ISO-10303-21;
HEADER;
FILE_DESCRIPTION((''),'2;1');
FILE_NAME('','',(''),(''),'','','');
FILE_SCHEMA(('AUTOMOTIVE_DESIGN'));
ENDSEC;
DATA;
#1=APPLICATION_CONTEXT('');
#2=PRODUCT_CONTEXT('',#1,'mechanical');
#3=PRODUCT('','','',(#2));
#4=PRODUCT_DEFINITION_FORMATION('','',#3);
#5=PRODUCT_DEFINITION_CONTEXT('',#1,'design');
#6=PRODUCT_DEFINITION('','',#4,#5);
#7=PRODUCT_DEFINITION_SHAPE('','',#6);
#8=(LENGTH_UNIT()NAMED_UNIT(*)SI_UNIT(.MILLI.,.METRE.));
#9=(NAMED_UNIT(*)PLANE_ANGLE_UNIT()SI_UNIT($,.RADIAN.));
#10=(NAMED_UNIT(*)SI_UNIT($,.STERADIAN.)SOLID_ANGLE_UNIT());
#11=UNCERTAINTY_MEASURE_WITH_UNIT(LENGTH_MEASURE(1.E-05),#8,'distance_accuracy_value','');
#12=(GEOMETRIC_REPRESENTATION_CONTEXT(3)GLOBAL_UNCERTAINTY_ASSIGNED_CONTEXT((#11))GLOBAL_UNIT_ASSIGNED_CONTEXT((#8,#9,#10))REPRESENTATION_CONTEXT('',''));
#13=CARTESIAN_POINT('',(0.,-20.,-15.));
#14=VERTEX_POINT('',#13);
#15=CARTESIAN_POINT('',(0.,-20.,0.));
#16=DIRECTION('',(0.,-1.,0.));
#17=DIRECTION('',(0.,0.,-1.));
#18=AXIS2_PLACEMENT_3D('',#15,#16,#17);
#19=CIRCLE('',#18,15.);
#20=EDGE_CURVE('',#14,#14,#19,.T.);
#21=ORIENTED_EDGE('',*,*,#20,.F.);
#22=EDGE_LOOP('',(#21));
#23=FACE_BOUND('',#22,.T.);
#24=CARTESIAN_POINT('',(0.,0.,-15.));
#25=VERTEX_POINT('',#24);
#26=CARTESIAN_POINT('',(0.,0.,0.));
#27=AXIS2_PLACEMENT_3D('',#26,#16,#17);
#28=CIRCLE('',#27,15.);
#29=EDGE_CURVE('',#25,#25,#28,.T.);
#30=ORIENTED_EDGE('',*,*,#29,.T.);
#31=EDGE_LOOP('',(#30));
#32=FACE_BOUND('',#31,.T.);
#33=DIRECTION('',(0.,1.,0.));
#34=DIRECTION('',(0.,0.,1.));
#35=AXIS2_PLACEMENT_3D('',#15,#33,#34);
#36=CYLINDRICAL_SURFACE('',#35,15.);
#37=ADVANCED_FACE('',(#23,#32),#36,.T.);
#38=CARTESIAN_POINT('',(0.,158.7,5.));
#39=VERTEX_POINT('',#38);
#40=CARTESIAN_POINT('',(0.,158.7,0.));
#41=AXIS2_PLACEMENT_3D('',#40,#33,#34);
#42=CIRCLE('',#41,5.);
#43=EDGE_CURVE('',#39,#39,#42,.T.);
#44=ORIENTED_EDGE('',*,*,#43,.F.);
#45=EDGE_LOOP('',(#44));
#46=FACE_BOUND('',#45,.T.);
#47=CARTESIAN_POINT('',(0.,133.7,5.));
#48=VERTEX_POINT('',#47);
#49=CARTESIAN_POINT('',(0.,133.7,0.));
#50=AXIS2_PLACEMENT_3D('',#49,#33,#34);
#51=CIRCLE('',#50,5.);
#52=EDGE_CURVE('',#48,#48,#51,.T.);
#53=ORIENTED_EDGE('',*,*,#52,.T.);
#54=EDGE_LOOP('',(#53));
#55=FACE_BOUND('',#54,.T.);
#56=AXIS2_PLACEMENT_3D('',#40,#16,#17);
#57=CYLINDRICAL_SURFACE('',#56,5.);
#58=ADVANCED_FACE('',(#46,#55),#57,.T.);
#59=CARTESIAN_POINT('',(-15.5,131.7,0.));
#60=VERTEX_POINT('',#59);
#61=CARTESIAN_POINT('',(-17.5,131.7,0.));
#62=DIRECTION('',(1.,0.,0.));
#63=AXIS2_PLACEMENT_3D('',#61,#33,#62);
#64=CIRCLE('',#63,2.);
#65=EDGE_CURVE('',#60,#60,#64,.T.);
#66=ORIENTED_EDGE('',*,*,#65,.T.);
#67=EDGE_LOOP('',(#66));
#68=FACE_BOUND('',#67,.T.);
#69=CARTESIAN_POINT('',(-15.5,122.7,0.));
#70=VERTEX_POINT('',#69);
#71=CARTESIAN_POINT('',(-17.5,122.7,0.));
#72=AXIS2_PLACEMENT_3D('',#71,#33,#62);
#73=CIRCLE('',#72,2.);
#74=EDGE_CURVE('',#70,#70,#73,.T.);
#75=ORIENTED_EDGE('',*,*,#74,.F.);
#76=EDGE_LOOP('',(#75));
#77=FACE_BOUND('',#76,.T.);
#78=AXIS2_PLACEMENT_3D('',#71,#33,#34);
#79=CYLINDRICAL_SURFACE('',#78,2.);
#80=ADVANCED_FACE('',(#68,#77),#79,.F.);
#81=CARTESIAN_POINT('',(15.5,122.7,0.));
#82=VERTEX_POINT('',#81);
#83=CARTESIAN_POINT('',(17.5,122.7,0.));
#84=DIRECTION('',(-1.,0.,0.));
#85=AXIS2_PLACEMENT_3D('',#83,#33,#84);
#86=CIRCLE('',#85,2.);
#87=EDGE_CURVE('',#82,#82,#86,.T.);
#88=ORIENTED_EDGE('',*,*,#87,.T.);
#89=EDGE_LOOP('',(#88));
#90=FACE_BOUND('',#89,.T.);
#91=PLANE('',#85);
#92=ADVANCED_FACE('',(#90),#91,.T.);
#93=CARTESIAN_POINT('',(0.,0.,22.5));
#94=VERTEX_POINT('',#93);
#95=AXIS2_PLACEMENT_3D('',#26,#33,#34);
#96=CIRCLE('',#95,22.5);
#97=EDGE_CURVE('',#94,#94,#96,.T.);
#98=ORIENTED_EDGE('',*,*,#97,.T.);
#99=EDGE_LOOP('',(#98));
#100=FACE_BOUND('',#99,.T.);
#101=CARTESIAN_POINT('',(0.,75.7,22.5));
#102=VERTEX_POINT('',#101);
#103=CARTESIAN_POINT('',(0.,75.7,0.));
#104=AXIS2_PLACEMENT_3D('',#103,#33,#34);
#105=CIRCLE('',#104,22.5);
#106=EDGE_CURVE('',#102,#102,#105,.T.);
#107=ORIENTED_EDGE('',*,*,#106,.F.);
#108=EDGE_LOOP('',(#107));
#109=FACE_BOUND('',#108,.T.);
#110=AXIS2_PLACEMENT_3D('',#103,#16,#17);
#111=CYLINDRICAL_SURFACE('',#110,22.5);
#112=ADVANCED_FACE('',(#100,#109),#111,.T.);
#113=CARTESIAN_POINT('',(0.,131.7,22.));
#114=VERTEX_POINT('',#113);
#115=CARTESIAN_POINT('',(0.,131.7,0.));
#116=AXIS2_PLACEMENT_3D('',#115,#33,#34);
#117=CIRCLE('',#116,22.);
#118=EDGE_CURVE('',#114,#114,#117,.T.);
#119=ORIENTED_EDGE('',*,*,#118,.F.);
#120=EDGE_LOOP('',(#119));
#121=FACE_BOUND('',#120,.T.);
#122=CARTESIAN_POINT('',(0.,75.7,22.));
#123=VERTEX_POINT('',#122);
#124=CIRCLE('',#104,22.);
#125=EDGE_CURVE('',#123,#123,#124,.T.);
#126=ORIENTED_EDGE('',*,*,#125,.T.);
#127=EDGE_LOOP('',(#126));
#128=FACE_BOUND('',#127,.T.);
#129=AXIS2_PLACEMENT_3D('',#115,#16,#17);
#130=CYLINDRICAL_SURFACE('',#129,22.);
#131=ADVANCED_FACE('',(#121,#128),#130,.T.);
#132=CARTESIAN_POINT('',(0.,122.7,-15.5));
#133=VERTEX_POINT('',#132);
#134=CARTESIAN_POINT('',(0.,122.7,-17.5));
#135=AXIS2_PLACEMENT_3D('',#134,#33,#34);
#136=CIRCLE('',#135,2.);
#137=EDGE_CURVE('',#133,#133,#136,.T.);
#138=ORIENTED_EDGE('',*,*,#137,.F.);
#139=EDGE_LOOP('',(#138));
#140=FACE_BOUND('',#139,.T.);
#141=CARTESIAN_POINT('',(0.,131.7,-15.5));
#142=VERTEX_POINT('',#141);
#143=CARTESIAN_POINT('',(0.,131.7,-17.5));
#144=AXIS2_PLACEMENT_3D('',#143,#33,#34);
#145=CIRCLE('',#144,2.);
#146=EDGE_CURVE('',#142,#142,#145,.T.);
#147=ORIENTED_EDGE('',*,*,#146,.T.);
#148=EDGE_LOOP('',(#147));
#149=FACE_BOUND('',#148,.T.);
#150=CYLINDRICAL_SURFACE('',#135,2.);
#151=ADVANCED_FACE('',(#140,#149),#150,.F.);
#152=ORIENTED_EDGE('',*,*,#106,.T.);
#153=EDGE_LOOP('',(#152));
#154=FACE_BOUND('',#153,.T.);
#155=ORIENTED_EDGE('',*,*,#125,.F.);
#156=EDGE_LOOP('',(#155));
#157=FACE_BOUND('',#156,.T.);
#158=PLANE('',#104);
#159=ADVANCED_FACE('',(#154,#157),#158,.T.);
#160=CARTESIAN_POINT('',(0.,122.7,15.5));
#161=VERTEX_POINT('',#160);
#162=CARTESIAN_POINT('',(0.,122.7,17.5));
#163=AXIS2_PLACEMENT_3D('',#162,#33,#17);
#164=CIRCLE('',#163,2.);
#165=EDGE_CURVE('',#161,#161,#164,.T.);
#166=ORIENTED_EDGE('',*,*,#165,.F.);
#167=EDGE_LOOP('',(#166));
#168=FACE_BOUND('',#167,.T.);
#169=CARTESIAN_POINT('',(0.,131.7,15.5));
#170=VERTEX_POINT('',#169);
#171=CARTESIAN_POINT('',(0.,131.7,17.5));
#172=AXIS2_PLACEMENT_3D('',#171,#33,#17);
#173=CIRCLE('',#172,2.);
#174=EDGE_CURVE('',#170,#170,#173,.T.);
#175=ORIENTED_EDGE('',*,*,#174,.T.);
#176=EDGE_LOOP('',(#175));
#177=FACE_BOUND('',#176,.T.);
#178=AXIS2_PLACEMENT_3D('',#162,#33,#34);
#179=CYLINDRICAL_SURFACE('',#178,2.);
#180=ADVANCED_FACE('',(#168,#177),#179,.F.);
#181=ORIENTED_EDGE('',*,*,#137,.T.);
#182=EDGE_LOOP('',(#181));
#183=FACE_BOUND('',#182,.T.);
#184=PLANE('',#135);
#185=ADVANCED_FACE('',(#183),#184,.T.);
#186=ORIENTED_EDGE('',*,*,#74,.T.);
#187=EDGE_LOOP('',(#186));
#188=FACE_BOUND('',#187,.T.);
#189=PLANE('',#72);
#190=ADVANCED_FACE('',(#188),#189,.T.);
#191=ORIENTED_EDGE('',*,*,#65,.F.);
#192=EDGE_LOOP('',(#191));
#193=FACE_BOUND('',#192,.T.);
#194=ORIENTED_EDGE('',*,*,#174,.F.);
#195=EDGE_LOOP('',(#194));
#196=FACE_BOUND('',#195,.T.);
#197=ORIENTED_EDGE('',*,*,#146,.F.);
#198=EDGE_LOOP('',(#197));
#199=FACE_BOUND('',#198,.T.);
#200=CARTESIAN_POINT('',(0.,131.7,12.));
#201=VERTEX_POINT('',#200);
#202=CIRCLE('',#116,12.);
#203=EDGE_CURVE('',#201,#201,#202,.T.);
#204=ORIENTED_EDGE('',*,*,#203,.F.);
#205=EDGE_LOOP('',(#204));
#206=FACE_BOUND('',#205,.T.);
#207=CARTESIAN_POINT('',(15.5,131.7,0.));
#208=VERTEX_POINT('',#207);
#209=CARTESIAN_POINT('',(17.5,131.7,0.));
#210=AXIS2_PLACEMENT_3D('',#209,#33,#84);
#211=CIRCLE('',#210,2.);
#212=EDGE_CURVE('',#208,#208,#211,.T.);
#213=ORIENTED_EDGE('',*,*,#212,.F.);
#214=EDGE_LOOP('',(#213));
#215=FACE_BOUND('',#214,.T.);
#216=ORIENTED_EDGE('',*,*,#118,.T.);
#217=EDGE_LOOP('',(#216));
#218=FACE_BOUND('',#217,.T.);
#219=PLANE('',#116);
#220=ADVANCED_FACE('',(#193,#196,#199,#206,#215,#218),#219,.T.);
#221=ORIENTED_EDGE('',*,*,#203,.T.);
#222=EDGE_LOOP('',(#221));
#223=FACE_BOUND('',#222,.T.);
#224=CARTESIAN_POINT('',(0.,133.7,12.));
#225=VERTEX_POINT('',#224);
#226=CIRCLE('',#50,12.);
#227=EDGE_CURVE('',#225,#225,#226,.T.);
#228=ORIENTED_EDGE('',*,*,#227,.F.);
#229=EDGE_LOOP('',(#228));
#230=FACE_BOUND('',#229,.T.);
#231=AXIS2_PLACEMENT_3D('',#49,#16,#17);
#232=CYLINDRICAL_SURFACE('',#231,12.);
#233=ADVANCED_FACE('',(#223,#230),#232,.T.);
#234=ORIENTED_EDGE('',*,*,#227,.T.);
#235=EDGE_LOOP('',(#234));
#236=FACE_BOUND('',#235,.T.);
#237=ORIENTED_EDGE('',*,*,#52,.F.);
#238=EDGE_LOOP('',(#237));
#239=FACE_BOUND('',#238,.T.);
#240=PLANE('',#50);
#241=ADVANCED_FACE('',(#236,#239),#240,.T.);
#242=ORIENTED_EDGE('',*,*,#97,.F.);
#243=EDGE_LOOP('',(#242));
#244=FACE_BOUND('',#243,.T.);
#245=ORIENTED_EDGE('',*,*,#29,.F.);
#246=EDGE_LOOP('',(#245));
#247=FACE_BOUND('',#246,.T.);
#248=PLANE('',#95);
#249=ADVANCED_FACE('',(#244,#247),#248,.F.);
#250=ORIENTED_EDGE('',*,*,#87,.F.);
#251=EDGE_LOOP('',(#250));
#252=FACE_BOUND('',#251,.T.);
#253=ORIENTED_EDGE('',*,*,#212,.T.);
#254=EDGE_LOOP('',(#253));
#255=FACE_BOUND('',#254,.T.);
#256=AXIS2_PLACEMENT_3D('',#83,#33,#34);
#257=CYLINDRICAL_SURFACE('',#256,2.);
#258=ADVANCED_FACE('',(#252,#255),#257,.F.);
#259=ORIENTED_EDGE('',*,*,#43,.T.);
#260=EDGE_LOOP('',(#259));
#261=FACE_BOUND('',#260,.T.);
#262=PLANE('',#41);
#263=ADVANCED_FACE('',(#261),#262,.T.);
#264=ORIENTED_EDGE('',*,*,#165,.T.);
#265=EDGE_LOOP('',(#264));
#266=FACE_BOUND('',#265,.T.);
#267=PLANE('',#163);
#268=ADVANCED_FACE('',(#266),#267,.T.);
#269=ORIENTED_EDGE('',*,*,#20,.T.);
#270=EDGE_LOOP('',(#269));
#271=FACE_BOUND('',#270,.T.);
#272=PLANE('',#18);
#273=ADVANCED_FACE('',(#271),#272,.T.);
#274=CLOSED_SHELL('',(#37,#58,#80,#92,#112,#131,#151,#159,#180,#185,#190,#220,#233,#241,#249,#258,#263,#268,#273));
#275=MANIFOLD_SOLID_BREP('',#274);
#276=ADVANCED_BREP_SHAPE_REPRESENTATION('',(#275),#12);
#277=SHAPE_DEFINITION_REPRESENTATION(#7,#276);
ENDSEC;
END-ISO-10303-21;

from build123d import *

# Parameters (mm, degrees)
SKETCH1_R           = 22.5
BOSS_EXTRUDE1_DEPTH = 75.7
SKETCH2_R           = 22
BOSS_EXTRUDE3_DEPTH = 56
SKETCH3_R           = 5
BOSS_EXTRUDE4_DEPTH = 27
SKETCH5_R           = 2
CUT_EXTRUDE2_DEPTH  = 9
CIRPATTERN1_COUNT   = 4
SKETCH6_R           = 12
BOSS_EXTRUDE5_DEPTH = 2
SKETCH7_R           = 15
BOSS_EXTRUDE6_DEPTH = 20


with BuildPart() as part:
    # Sketch1 → Boss-Extrude1 (new body)
    with BuildSketch(Plane(origin=(0, 0, 0), x_dir=(1, 0, 0), z_dir=(0, 1, 0))):
        with Locations(Location((0, 0, 0), (0, 0, 270))):
            Circle(SKETCH1_R)
    extrude(amount=BOSS_EXTRUDE1_DEPTH)

    # Sketch2 → Boss-Extrude3 (add)
    with BuildSketch(Plane(origin=(0, 75.7, 0), x_dir=(1, 0, 0), z_dir=(0, 1, 0))):
        with Locations(Location((0, 0, 0), (0, 0, 270))):
            Circle(SKETCH2_R)
    extrude(amount=BOSS_EXTRUDE3_DEPTH)

    # Sketch3 → Boss-Extrude4 (add)
    with BuildSketch(Plane(origin=(0, 131.7, 0), x_dir=(1, 0, 0), z_dir=(0, 1, 0))):
        with Locations(Location((0, 0, 0), (0, 0, 270))):
            Circle(SKETCH3_R)
    extrude(amount=BOSS_EXTRUDE4_DEPTH)

    # Sketch5 → Cut-Extrude2 (cut)
    with BuildSketch(Plane(origin=(0, 131.7, 0), x_dir=(1, 0, 0), z_dir=(0, 1, 0))):
        with Locations(Location((0, 17.5, 0), (0, 0, 270))):
            Circle(SKETCH5_R)
    cut_extrude2 = extrude(amount=-CUT_EXTRUDE2_DEPTH, mode=Mode.SUBTRACT)

    # CirPattern1: Cut-Extrude2 ×4 about axis
    cirpattern1_axis = Axis((0, 0, 0), (0, 1, 0))
    for i in range(1, CIRPATTERN1_COUNT):
        add(cut_extrude2.rotate(cirpattern1_axis, i * 360 / CIRPATTERN1_COUNT), mode=Mode.SUBTRACT)

    # Sketch6 → Boss-Extrude5 (add)
    with BuildSketch(Plane(origin=(0, 131.7, 0), x_dir=(1, 0, 0), z_dir=(0, 1, 0))):
        with Locations(Location((0, 0, 0), (0, 0, 270))):
            Circle(SKETCH6_R)
    extrude(amount=BOSS_EXTRUDE5_DEPTH)

    # Sketch7 → Boss-Extrude6 (add)
    with BuildSketch(Plane.XZ):
        with Locations(Location((0, 0, 0), (0, 0, 270))):
            Circle(SKETCH7_R)
    extrude(amount=BOSS_EXTRUDE6_DEPTH)


solid = part.part
